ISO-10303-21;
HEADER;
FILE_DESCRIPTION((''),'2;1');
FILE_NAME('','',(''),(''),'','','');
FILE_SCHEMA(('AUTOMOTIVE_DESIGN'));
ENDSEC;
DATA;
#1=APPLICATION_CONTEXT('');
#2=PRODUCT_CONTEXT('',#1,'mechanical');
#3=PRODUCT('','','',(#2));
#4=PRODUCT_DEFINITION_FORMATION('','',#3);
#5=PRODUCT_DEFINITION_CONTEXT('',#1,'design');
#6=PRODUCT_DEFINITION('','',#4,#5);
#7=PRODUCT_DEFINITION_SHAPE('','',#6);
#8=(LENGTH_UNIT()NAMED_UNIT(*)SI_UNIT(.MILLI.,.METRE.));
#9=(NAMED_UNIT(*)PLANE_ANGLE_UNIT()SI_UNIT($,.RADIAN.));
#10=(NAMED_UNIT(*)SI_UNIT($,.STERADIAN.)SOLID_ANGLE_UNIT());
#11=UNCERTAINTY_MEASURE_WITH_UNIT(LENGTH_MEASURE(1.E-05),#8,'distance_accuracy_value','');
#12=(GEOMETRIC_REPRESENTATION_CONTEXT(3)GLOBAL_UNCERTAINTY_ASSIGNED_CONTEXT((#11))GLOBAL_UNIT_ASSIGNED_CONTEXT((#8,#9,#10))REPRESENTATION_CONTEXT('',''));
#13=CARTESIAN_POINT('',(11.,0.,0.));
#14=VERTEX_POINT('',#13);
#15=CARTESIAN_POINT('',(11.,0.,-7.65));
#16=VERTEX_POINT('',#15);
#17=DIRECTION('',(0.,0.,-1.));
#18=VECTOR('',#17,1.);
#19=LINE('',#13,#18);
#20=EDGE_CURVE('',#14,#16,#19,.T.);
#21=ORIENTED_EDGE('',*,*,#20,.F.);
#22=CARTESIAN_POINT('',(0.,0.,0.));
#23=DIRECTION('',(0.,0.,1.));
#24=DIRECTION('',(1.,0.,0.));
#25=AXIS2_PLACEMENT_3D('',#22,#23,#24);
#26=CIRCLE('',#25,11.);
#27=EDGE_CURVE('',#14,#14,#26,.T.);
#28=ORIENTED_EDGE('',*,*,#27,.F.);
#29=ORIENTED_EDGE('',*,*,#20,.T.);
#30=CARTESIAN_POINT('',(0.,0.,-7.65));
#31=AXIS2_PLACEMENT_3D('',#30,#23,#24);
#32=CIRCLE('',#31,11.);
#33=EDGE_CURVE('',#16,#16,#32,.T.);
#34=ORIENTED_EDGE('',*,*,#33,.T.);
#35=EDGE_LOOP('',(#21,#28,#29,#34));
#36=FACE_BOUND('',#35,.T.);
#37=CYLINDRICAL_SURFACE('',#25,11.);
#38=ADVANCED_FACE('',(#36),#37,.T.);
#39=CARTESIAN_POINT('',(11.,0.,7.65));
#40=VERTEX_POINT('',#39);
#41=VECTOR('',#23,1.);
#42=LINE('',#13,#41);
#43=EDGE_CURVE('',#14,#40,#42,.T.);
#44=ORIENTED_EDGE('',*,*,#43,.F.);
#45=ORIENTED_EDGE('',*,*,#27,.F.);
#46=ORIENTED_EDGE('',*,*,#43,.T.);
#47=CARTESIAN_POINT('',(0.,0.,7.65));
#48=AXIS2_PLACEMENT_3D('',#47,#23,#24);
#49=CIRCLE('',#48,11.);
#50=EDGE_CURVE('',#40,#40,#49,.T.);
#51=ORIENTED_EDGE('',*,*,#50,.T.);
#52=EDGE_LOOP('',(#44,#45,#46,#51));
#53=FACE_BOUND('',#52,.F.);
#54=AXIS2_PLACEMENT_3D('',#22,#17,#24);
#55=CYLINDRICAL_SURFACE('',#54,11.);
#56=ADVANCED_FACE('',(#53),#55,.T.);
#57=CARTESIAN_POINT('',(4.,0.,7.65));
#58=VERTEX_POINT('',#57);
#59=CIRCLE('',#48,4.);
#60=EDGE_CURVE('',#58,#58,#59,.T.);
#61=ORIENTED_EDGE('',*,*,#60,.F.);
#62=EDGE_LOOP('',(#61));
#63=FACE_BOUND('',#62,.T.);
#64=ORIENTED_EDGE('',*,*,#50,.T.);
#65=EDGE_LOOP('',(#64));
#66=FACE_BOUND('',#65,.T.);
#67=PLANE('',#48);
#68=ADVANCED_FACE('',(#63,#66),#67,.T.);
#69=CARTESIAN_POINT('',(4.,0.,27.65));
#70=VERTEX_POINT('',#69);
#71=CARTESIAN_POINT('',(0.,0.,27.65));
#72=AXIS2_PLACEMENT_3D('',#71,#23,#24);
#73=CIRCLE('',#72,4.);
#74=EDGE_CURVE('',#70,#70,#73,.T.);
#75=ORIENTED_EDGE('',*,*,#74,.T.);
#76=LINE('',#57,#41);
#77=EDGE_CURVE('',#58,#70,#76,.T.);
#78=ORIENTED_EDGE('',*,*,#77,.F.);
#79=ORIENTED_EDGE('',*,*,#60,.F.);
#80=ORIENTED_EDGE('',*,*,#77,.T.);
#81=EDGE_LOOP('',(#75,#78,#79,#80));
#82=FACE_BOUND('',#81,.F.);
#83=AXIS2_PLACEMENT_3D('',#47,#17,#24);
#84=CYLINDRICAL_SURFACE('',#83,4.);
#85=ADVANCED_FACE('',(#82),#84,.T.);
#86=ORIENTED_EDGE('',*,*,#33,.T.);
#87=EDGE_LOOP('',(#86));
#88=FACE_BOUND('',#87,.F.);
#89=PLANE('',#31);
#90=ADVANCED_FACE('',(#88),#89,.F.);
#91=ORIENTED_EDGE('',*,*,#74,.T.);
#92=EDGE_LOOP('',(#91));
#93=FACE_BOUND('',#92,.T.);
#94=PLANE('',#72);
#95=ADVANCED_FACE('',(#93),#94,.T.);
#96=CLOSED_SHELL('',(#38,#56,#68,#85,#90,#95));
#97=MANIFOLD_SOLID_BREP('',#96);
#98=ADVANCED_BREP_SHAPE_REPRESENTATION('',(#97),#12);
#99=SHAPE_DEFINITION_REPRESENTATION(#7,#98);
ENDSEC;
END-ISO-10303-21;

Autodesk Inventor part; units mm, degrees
ref_plane "YZ Plane" through (0, 0, 0) normal (1, 0, 0) x (0, 1, 0)
ref_plane "XZ Plane" through (0, 0, 0) normal (0, 1, 0) x (-1, 0, 0)
ref_plane "XY Plane" through (0, 0, 0) normal (0, 0, 1) x (1, 0, 0)
sketch "Main Sketch" plane through (0, 0, 0) normal (0, 0, 1) x (1, 0, 0)
  circle A0 centre (0, 0) radius 11
  dimension "d0" = 22
extrude "Pulley" add sketch "Main Sketch" along normal mid plane 15.3
sketch "Sketch2" plane through (0, 0, 7.65) normal (0, 0, 1) x (1, 0, 0)
  circle A0 centre (0, 0) radius 11 projected
  circle A1 centre (0, 0) radius 4
  dimension "d5" = 8
extrude "Extrusion2" add sketch "Sketch2" along normal blind 20 contours A1
equation "\"d0\" = da_D"
equation "\"d1\" = da_B"
equation "\"da_D\" = 22"
equation "\"da_B\" = 15.3"
properties part number "Flat Pulley1" material "Steel"
